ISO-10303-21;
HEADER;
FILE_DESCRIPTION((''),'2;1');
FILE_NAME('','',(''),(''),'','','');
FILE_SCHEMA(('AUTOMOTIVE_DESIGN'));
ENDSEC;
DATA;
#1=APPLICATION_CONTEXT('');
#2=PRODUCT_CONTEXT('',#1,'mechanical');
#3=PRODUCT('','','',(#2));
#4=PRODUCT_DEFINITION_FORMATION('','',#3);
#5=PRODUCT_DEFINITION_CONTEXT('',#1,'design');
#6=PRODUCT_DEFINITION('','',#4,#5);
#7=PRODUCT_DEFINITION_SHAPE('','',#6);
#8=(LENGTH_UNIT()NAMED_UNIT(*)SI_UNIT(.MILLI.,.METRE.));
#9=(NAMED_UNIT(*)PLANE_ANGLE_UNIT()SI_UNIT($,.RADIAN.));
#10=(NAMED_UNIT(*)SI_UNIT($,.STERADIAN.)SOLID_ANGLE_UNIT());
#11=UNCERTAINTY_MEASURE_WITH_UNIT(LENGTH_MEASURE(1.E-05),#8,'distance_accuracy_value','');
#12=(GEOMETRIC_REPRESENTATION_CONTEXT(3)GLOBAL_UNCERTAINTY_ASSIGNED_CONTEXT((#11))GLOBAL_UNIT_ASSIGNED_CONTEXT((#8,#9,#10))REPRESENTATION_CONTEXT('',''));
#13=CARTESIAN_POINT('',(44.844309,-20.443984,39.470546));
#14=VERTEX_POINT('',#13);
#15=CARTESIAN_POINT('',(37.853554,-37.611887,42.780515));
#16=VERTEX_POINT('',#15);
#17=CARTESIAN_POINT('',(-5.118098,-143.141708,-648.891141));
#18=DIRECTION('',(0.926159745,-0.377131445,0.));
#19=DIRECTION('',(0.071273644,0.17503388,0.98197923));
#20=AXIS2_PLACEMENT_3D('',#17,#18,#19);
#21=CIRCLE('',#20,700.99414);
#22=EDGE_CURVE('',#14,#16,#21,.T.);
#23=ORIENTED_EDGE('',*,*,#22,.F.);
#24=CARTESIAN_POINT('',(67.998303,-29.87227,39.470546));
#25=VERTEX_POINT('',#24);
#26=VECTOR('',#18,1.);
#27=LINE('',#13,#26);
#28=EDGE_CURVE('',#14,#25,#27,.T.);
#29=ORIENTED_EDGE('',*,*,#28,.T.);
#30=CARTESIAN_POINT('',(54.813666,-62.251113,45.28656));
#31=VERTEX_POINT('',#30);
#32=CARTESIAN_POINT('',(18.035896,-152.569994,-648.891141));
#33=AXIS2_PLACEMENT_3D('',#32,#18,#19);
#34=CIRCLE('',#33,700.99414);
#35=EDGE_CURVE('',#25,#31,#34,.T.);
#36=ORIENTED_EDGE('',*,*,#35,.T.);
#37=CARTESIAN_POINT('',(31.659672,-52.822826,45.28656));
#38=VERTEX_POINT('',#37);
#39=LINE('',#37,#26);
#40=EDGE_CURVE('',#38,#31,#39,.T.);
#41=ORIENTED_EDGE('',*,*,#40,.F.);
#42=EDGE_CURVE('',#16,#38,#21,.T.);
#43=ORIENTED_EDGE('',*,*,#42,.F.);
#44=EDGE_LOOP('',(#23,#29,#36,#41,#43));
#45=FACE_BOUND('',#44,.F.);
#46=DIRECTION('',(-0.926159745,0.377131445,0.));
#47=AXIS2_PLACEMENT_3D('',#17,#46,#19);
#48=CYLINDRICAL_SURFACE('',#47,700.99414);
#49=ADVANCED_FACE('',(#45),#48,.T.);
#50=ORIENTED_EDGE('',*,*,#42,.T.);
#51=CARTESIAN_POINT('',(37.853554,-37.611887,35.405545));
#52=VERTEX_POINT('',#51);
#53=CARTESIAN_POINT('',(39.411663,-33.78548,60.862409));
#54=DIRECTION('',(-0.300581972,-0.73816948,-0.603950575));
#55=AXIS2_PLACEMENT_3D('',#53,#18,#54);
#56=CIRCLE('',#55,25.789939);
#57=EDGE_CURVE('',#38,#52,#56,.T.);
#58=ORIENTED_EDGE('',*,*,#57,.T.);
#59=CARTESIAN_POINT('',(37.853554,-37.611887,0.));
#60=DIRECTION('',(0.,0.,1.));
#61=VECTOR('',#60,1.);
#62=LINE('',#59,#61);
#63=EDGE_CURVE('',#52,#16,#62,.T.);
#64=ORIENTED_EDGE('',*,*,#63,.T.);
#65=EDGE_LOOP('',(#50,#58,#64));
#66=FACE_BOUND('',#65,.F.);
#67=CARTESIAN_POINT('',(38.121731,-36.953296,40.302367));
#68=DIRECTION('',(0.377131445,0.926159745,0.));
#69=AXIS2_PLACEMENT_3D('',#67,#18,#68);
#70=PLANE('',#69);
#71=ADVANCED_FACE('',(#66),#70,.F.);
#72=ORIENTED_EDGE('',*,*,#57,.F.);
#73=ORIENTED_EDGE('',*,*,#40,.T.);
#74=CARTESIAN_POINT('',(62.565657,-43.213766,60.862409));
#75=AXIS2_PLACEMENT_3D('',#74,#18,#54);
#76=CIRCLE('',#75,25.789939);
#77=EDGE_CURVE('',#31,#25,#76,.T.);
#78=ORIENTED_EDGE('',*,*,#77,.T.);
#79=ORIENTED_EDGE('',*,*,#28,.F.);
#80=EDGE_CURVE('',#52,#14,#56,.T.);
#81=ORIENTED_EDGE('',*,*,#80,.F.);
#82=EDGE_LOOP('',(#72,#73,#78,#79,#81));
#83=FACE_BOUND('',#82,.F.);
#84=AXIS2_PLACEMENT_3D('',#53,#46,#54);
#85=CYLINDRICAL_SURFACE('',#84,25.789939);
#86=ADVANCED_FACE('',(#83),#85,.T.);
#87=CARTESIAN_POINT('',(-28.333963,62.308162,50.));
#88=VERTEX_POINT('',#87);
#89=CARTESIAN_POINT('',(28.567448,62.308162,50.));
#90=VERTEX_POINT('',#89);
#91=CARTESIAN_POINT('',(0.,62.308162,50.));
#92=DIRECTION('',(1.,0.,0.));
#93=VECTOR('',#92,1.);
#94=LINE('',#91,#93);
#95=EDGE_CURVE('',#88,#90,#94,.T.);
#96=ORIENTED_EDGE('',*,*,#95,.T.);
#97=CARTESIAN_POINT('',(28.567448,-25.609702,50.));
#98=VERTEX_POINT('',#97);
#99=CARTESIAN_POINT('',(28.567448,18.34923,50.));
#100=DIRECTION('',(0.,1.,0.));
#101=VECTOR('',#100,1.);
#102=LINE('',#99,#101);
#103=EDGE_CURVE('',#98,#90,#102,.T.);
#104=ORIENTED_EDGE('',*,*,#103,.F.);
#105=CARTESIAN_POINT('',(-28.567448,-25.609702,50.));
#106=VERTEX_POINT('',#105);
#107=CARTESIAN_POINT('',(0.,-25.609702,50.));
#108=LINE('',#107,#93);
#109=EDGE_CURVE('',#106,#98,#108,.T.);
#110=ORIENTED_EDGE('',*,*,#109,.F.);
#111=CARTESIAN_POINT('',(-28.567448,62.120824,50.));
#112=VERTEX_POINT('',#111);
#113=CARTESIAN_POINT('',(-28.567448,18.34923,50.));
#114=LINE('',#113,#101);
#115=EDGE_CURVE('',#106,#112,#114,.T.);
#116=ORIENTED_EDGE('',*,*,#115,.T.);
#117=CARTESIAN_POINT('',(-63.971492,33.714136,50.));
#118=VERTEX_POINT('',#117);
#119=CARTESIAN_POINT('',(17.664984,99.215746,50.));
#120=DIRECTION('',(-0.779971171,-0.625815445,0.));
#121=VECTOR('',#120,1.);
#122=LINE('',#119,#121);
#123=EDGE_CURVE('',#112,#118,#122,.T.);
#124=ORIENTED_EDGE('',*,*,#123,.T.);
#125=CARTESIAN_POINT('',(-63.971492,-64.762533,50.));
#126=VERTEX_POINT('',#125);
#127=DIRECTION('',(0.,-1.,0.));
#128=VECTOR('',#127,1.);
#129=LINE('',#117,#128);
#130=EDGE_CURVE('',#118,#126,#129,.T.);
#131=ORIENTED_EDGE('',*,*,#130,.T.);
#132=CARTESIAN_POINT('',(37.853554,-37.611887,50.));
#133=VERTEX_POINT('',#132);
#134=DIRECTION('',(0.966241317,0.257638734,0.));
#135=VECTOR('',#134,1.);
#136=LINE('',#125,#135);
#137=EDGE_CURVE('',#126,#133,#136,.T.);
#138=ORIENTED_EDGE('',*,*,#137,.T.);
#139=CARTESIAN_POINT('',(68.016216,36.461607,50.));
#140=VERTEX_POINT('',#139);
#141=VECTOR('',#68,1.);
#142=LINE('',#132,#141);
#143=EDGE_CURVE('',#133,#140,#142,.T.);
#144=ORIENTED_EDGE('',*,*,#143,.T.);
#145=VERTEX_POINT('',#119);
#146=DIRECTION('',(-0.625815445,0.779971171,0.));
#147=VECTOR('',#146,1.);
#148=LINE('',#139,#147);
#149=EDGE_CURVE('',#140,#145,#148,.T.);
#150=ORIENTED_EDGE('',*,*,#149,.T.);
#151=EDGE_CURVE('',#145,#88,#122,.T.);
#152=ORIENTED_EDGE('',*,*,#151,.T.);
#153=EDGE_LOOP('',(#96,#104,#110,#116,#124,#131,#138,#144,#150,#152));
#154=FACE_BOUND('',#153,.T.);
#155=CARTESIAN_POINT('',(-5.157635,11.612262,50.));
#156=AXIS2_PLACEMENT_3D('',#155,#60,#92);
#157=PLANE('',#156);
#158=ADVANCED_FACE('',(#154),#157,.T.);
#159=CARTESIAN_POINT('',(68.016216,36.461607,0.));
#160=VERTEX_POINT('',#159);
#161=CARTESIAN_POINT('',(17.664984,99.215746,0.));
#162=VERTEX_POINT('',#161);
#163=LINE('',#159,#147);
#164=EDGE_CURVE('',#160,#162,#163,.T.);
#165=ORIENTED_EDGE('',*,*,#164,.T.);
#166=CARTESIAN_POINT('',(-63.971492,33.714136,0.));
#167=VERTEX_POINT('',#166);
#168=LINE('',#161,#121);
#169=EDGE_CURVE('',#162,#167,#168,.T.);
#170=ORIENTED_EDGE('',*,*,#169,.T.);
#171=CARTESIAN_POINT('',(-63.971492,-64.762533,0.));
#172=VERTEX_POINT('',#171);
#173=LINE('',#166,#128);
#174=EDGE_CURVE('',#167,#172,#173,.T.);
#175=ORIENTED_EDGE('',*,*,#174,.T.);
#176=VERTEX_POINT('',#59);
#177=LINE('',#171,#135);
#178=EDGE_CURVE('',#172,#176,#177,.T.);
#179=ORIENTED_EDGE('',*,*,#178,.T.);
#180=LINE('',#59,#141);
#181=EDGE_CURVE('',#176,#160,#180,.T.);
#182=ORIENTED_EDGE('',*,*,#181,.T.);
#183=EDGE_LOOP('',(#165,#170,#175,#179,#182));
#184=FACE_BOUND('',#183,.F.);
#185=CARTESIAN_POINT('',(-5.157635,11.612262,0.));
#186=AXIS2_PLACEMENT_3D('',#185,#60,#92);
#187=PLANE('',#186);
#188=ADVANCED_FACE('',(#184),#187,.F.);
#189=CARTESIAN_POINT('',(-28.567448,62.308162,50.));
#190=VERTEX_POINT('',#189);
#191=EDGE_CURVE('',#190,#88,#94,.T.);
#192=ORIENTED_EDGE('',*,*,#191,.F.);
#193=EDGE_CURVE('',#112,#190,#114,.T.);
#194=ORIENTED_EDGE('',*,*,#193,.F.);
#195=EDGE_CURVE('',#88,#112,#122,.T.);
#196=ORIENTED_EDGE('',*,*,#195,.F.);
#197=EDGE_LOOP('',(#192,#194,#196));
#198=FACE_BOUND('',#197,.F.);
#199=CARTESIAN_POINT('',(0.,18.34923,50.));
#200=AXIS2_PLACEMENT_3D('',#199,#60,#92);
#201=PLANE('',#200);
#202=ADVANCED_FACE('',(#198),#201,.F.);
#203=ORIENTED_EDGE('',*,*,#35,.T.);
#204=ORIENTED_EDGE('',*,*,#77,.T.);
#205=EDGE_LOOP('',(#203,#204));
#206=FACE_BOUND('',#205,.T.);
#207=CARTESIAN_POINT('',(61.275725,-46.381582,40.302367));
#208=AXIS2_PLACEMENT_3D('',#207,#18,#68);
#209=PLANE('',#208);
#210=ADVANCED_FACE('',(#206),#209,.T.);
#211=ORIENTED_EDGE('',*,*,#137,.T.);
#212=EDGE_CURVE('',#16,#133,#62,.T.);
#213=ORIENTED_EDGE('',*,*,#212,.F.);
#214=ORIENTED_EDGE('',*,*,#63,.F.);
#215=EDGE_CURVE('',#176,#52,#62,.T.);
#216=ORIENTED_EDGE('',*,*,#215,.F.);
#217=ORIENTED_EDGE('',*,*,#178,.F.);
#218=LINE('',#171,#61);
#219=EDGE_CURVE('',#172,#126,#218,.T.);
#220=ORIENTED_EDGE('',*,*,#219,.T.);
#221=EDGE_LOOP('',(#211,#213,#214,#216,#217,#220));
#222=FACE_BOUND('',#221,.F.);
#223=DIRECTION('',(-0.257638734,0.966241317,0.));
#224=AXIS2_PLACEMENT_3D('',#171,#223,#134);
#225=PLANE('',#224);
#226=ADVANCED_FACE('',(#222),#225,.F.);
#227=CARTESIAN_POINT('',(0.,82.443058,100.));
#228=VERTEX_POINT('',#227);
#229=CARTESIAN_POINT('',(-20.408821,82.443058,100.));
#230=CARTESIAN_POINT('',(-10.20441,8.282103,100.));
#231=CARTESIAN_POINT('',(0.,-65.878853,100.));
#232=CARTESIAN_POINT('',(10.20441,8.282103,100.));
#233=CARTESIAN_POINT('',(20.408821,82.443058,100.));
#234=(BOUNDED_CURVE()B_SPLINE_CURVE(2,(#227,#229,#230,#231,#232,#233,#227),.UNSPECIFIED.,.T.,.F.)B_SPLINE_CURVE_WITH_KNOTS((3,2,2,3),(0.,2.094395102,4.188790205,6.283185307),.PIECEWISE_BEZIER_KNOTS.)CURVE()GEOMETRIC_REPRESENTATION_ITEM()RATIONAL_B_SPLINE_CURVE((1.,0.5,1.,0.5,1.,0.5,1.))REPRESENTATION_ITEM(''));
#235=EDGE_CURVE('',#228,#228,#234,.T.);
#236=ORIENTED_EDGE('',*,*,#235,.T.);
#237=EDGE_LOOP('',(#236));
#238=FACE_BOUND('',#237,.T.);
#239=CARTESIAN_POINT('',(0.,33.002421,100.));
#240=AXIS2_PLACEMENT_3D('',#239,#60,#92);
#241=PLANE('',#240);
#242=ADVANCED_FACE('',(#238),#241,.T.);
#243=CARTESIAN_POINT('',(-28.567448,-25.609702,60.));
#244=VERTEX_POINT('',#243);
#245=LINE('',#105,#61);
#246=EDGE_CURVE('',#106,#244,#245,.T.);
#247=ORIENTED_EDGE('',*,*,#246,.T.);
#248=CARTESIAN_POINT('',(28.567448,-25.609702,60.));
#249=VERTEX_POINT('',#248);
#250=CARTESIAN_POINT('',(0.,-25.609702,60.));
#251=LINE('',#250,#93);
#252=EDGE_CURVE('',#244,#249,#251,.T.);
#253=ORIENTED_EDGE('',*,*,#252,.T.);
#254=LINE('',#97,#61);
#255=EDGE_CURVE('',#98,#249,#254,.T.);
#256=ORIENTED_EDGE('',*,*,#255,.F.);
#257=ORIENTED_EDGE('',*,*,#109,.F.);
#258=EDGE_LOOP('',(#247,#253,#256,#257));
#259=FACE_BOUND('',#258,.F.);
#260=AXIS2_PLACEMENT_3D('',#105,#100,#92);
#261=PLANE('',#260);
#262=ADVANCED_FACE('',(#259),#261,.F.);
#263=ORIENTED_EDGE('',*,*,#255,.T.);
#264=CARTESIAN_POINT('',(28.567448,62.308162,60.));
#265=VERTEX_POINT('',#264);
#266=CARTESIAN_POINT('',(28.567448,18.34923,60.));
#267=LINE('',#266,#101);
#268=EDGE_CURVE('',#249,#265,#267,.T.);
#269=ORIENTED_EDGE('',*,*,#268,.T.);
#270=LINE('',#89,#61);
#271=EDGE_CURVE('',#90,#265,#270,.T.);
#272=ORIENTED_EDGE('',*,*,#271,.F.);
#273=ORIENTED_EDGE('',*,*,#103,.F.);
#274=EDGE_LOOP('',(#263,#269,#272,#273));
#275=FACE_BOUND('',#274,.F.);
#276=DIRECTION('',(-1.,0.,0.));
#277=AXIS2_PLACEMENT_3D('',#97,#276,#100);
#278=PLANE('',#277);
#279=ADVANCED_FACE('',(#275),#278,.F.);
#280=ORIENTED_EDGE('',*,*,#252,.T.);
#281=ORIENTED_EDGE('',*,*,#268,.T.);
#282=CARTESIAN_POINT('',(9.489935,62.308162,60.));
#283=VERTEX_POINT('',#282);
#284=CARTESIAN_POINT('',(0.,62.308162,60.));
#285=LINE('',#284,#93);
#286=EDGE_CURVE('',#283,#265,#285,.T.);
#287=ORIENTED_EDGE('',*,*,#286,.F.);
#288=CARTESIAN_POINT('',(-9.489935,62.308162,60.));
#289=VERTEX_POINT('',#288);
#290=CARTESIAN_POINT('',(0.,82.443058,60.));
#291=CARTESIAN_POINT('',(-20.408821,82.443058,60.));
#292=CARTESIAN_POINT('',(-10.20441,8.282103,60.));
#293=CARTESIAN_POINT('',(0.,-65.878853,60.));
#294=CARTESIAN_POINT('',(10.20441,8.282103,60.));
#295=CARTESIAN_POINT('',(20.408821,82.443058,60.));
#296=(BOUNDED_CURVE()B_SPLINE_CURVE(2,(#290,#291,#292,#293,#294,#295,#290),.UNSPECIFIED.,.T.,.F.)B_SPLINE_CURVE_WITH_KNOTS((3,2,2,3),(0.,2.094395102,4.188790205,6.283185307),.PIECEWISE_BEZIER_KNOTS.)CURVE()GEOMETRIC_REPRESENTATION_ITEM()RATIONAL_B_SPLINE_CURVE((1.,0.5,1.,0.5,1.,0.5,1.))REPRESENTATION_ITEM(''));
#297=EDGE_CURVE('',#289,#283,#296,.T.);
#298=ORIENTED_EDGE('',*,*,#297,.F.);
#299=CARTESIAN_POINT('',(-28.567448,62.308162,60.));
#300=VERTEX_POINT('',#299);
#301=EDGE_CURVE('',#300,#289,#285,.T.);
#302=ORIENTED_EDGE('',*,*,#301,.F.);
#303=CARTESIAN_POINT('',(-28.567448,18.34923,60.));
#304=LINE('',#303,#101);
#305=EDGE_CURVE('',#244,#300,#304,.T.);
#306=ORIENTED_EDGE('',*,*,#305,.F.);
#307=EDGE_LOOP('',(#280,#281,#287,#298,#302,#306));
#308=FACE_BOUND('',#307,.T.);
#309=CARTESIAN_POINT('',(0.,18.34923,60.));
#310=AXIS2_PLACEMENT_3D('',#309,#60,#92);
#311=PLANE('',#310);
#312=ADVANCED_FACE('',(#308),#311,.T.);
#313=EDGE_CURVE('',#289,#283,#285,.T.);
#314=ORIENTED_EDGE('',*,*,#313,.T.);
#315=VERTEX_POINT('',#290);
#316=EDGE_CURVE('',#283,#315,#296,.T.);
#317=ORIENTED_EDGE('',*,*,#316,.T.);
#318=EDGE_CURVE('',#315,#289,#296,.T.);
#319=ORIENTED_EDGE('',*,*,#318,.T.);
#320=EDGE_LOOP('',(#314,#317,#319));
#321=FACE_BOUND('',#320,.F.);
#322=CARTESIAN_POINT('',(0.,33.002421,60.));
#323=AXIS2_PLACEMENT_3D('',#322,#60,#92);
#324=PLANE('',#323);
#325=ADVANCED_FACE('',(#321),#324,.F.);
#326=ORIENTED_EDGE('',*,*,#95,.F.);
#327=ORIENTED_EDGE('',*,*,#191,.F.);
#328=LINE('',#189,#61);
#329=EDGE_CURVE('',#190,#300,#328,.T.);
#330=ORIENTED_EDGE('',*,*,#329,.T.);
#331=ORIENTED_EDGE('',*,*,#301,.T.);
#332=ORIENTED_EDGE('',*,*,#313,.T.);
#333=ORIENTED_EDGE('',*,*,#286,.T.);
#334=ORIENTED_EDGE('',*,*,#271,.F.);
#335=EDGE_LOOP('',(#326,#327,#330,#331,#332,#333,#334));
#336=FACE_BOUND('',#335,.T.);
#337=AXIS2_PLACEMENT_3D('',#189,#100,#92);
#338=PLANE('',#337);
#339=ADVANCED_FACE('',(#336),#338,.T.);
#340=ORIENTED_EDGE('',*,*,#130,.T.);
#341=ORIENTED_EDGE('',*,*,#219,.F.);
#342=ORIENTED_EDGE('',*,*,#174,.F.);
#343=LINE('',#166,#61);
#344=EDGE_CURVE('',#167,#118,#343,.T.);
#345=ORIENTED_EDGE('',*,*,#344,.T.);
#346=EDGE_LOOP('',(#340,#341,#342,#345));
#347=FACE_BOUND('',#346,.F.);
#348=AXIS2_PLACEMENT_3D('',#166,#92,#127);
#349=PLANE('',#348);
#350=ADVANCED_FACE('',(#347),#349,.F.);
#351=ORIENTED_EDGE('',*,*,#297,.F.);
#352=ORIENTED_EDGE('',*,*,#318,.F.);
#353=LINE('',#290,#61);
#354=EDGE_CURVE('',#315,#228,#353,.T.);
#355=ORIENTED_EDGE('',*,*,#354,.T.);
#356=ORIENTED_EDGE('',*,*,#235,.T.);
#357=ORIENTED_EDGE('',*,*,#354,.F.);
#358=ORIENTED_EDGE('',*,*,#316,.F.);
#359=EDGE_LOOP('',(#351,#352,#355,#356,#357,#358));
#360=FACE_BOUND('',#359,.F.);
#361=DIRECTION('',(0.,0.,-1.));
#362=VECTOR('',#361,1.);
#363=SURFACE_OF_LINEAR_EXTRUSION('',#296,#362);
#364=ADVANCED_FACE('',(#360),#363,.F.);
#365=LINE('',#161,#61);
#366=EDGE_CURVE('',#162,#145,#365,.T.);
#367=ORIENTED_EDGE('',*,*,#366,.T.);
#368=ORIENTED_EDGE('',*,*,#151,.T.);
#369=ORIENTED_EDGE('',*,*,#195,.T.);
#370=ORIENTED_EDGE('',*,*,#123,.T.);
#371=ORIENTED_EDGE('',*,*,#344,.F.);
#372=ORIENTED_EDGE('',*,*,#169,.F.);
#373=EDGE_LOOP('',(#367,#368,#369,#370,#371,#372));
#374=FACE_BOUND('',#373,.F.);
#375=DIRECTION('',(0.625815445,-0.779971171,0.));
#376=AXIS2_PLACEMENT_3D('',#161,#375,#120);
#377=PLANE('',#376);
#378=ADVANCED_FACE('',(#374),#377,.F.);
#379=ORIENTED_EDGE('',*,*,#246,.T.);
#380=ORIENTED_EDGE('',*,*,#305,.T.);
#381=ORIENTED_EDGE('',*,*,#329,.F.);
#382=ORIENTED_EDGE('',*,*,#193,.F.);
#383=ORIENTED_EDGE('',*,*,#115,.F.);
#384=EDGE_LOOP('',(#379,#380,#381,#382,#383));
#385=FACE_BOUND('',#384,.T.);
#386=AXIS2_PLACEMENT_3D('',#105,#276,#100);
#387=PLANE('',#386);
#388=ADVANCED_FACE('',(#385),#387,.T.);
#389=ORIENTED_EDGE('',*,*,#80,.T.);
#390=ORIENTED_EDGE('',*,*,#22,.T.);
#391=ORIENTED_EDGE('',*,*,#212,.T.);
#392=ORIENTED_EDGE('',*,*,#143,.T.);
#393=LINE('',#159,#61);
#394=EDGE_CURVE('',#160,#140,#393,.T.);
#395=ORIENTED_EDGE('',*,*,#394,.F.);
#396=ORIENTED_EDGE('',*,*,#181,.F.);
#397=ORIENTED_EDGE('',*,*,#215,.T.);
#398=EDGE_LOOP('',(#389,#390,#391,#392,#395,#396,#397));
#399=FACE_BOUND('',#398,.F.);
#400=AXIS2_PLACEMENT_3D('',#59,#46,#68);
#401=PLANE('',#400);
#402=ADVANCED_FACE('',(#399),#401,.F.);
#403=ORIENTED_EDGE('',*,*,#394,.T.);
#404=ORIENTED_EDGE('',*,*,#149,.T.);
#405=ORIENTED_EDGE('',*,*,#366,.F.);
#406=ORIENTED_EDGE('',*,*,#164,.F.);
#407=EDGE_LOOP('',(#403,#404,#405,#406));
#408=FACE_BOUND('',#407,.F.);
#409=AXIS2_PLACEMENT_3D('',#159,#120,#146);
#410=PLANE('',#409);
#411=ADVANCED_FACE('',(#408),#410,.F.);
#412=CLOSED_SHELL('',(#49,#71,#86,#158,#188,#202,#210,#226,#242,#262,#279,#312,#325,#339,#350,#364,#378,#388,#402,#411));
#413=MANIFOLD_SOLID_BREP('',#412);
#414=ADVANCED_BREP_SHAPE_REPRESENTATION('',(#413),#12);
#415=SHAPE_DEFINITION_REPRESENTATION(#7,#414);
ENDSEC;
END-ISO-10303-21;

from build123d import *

# Parameters (mm, degrees)
F1_DEPTH = 50
F2_W     = 57.1348965168
F2_H     = 87.9178643227
F3_DEPTH = 10
F6_DEPTH = 40
F8_DEPTH = 25


with BuildPart() as f1:
    # F0 (on Top) → F1 (new body)
    with BuildSketch(Plane.XY):
        Polygon((-63.9714916625, -64.762532711), (37.8535538912, -37.6118868589), (68.0162161589, 36.4616066217), (17.6649838686, 99.2157459259), (-63.9714916625, 33.714136177), align=None)
    extrude(amount=F1_DEPTH)

    # F2 (on face) → F3 (join)
    with BuildSketch(Plane.XY.offset(50)):
        with Locations((0, 18.3492302895)):
            Rectangle(F2_W, F2_H)
    extrude(amount=F3_DEPTH)

    # F5 (on face) → F6 (join)
    with BuildSketch(Plane.XY.offset(60)):
        with BuildLine():
            add(Edge.make_bspline(
                [(0, 82.4430584908), (-20.4088208132, 82.4430584908), (-10.2044104066, 8.2821026444), (0, -65.8788532019), (10.2044104066, 8.2821026444), (20.4088208132, 82.4430584908), (0, 82.4430584908)],
                knots=[0, 0, 0, 2.0943951024, 2.0943951024, 4.1887902048, 4.1887902048, 6.2831853072, 6.2831853072, 6.2831853072], degree=2, weights=[1, 0.5, 1, 0.5, 1, 0.5, 1]))
        make_face()
    extrude(amount=F6_DEPTH)

    # F7 (on face) → F8 (join)
    with BuildSketch(Plane(origin=(45.6069427229, -18.5711075011, 0), x_dir=(0.3771314445, 0.9261597451, 0), z_dir=(0.9261597451, -0.3771314445, 0))):
        with BuildLine():
            ThreePointArc((-36.9825174786, 45.2865598738), (-20.6596339415, 35.4221068521), (-2.0221956928, 39.4705455521))
            ThreePointArc((-2.0221956928, 39.4705455521), (-19.4655950221, 42.5995281135), (-36.9825174786, 45.2865598738))
        make_face()
    extrude(amount=F8_DEPTH)


solid = f1.part
